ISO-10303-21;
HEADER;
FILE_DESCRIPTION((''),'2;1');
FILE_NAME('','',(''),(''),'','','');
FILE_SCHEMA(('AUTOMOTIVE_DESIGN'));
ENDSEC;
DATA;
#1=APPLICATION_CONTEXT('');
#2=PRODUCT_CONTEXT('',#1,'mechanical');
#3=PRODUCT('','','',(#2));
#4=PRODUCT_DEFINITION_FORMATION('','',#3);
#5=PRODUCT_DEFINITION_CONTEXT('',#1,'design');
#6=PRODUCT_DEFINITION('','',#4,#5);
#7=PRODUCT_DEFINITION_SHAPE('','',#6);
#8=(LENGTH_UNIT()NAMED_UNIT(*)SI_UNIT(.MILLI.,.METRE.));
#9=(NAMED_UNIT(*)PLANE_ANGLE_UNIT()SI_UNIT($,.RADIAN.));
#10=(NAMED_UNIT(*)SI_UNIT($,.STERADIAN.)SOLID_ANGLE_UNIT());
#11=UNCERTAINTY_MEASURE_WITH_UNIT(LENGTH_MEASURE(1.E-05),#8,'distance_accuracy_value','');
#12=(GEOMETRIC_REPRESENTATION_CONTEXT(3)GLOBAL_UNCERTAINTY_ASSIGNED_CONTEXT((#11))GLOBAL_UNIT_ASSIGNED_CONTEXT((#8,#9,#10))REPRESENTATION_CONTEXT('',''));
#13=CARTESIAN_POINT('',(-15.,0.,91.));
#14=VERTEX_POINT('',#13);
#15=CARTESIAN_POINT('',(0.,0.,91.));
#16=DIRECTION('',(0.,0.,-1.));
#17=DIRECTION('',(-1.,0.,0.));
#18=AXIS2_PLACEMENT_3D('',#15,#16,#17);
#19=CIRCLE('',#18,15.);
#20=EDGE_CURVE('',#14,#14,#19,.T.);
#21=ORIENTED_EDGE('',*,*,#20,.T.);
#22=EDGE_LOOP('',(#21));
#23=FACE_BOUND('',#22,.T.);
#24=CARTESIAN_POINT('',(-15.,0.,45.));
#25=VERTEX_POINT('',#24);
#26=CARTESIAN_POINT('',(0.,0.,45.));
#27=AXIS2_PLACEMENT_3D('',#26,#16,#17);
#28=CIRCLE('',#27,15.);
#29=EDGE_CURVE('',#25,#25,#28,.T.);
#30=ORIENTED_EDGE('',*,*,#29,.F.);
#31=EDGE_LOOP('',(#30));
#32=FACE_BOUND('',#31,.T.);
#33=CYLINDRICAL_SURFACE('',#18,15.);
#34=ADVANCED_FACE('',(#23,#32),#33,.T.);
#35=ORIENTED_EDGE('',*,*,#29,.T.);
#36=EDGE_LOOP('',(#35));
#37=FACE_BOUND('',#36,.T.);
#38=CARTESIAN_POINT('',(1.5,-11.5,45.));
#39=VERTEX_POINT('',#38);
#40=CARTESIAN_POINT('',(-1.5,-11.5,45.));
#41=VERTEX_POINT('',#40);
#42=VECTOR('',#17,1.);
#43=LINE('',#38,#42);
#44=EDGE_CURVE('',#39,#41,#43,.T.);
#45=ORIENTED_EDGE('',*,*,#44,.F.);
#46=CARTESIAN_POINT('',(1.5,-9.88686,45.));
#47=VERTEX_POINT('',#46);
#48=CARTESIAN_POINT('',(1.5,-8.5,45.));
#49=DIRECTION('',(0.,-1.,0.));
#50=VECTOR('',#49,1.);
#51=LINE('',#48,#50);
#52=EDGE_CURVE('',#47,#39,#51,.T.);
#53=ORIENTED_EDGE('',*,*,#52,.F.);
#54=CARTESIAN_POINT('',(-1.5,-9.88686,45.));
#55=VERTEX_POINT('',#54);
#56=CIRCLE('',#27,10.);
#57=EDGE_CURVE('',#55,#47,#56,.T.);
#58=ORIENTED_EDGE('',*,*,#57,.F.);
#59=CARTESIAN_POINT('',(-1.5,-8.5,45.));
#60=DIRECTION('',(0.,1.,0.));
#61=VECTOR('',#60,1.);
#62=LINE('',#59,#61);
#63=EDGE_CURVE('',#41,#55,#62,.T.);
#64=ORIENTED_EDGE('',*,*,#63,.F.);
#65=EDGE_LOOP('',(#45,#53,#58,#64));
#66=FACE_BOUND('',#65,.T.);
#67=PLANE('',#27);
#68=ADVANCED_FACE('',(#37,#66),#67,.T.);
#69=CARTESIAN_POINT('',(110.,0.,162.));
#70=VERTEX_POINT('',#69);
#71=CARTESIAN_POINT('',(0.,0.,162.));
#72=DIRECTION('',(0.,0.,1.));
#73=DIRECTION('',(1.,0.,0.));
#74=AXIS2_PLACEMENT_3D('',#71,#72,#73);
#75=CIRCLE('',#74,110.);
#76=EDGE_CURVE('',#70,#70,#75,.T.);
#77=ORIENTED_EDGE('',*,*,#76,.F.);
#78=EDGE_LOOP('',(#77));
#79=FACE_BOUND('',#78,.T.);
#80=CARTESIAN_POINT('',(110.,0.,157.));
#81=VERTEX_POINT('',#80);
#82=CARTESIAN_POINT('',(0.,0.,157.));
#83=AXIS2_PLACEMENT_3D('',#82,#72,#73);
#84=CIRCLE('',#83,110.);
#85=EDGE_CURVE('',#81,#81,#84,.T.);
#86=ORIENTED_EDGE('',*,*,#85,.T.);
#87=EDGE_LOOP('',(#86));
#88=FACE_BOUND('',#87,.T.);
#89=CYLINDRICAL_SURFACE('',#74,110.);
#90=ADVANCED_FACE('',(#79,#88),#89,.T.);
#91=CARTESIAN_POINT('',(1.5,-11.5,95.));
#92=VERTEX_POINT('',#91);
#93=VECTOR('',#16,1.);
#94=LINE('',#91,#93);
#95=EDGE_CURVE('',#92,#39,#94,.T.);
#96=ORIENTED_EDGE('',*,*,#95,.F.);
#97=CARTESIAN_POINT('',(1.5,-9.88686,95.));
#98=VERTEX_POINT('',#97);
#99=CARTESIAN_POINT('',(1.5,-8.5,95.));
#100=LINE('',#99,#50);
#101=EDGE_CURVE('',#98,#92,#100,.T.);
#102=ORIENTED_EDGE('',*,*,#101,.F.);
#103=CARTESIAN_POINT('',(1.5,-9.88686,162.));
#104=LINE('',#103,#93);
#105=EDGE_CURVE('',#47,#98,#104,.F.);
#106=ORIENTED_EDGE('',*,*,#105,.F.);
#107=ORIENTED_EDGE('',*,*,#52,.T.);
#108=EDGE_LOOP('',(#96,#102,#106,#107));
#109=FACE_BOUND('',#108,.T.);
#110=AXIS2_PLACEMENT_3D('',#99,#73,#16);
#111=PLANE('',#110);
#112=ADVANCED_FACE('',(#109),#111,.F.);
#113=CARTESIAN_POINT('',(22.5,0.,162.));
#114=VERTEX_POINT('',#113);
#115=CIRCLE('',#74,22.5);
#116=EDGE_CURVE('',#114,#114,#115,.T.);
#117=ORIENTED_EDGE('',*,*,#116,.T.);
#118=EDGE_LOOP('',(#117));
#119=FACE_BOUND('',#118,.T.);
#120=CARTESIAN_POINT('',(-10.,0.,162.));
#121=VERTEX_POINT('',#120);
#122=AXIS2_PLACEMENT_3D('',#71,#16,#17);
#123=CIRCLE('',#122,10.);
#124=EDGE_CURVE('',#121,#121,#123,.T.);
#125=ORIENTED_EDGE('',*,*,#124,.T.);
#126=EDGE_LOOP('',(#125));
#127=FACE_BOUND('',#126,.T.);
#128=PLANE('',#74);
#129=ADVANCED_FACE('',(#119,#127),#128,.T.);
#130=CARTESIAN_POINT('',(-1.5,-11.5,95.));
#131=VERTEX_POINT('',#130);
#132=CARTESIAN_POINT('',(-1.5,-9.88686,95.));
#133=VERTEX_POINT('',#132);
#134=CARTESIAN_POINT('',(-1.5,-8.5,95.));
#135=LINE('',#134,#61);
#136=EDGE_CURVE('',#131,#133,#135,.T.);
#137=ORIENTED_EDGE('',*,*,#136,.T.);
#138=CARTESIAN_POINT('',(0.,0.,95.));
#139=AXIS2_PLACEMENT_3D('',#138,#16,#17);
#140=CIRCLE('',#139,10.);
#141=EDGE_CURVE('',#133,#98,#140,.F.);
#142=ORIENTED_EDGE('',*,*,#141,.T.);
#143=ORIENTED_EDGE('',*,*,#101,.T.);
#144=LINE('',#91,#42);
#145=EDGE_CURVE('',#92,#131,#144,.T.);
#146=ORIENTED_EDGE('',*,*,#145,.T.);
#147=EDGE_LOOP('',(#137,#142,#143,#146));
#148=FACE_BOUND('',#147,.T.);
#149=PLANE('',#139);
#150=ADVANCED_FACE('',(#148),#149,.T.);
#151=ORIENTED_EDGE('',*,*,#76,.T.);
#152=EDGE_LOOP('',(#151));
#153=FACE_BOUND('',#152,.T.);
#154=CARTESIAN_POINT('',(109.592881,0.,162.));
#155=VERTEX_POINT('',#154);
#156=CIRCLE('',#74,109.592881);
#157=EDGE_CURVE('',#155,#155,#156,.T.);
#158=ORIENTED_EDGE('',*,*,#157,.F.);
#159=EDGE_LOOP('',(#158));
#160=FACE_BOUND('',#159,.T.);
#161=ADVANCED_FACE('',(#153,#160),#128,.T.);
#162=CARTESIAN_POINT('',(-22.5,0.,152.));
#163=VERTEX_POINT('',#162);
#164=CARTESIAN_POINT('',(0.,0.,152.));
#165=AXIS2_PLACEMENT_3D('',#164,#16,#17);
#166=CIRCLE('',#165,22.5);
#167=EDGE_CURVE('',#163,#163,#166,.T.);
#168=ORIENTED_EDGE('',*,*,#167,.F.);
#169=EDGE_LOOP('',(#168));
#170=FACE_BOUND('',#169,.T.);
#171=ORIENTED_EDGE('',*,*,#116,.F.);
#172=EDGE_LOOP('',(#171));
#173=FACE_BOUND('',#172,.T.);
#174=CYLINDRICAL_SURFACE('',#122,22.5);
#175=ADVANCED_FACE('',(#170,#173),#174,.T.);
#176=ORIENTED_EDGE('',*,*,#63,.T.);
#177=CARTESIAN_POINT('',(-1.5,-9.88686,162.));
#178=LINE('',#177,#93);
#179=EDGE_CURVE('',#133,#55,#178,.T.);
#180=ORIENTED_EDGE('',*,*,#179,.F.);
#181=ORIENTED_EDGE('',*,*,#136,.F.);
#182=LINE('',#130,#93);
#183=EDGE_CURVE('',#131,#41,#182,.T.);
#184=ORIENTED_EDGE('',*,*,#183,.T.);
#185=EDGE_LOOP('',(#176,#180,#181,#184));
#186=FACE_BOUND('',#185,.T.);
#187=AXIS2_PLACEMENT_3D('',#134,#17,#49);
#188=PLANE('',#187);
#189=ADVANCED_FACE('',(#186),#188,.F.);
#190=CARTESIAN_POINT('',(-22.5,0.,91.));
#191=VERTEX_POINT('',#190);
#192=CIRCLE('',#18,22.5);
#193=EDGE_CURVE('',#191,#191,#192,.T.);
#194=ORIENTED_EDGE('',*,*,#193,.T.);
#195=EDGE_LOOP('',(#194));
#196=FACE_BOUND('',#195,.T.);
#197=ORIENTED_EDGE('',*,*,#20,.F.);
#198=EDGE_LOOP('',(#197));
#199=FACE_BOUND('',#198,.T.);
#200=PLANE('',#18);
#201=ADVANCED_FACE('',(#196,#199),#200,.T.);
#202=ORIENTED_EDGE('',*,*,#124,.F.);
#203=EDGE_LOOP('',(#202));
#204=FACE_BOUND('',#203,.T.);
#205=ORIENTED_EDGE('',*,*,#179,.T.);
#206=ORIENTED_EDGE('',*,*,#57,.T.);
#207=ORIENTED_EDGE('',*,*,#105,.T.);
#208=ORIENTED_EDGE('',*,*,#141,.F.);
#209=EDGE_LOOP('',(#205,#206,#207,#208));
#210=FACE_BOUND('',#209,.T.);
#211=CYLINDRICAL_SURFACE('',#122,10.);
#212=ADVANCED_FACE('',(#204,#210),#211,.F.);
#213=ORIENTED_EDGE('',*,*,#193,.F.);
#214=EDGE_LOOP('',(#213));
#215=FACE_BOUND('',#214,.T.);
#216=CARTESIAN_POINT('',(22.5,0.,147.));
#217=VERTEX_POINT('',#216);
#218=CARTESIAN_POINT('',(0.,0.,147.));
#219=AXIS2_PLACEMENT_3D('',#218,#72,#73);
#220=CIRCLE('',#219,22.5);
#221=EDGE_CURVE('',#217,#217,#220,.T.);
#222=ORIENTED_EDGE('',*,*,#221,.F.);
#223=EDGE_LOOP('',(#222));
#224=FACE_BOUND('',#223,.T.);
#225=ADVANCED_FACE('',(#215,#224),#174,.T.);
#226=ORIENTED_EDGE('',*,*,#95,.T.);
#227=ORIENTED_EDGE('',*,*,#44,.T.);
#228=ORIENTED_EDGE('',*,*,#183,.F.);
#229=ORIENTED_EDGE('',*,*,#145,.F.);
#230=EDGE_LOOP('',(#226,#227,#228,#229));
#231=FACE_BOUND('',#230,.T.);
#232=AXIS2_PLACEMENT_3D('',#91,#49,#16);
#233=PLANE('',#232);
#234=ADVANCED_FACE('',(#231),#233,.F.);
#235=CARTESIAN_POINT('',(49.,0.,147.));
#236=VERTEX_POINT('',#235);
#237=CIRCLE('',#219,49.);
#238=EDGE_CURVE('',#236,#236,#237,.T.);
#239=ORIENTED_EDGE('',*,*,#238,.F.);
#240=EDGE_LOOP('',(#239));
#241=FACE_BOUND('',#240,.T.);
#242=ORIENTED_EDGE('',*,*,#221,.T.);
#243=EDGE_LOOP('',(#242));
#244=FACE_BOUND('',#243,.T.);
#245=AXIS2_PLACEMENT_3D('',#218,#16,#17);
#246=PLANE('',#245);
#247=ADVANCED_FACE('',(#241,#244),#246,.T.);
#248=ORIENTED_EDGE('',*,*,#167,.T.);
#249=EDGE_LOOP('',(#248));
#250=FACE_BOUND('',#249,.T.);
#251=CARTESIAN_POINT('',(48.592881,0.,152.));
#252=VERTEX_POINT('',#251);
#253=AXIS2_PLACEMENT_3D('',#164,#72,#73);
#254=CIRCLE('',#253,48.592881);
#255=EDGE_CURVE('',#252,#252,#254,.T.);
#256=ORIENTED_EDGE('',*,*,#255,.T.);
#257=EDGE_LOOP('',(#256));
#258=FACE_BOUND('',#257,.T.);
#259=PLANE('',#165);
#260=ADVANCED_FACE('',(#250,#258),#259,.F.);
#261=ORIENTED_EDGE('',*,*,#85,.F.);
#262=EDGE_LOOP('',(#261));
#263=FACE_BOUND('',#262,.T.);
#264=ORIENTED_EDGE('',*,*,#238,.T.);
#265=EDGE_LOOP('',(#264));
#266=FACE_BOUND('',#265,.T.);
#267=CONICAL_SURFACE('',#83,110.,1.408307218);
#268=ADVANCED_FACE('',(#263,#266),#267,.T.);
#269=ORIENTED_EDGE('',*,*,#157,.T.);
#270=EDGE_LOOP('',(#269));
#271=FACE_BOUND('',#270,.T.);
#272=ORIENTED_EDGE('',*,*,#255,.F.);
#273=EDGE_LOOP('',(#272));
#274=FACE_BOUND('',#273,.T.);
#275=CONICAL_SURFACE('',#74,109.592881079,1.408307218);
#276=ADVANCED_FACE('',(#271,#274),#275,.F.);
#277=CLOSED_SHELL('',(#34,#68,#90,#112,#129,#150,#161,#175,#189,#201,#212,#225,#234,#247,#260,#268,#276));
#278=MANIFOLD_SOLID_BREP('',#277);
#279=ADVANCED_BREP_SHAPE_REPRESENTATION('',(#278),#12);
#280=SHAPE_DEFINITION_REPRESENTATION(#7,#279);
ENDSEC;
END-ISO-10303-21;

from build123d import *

# Parameters (mm, degrees)
SKETCH1_R           = 22.5
BOSS_EXTRUDE1_DEPTH = 162
SKETCH4_R           = 22.5
SKETCH4_R_2         = 15
CUT_EXTRUDE1_DEPTH  = 91
SKETCH5_R           = 15
CUT_EXTRUDE2_DEPTH  = 45
SKETCH12_R          = 10
CUT_EXTRUDE3_DEPTH  = 118
SKETCH13_W          = 3
SKETCH13_H          = 3
CUT_EXTRUDE4_DEPTH  = 50


with BuildPart() as part:
    # Sketch1 → Boss-Extrude1 (new body)
    with BuildSketch(Plane.XY):
        Circle(SKETCH1_R)
    extrude(amount=BOSS_EXTRUDE1_DEPTH)

    # Sketch3 → Revolve1 (revolve)
    with BuildSketch(Plane(origin=(0, 0, 0), x_dir=(0, 0, -1), z_dir=(1, 0, 0))):
        Polygon((-157, 110), (-162, 110), (-162, 109.592881079), (-152, 48.592881079), (-152, 22.5), (-147, 22.5), (-147, 49), align=None)
    revolve(axis=Axis((0, 0, 162), (0, 0, -1)))

    # Sketch4 → Cut-Extrude1 (cut)
    with BuildSketch(Plane(origin=(0, 0, 0), x_dir=(-1, 0, 0), z_dir=(0, 0, -1))):
        Circle(SKETCH4_R)
        Circle(SKETCH4_R_2, mode=Mode.SUBTRACT)
    extrude(amount=-CUT_EXTRUDE1_DEPTH, mode=Mode.SUBTRACT)

    # Sketch5 → Cut-Extrude2 (cut)
    with BuildSketch(Plane(origin=(0, 0, 0), x_dir=(-1, 0, 0), z_dir=(0, 0, -1))):
        Circle(SKETCH5_R)
    extrude(amount=-CUT_EXTRUDE2_DEPTH, mode=Mode.SUBTRACT)

    # Sketch12 → Cut-Extrude3 (cut, through all)
    with BuildSketch(Plane(origin=(0, 0, 45), x_dir=(-1, 0, 0), z_dir=(0, 0, -1))):
        Circle(SKETCH12_R)
    extrude(amount=-CUT_EXTRUDE3_DEPTH, mode=Mode.SUBTRACT)

    # Sketch13 → Cut-Extrude4 (cut)
    with BuildSketch(Plane(origin=(0, 0, 45), x_dir=(-1, 0, 0), z_dir=(0, 0, -1))):
        with Locations((0, -10)):
            Rectangle(SKETCH13_W, SKETCH13_H)
    extrude(amount=-CUT_EXTRUDE4_DEPTH, mode=Mode.SUBTRACT)


solid = part.part
